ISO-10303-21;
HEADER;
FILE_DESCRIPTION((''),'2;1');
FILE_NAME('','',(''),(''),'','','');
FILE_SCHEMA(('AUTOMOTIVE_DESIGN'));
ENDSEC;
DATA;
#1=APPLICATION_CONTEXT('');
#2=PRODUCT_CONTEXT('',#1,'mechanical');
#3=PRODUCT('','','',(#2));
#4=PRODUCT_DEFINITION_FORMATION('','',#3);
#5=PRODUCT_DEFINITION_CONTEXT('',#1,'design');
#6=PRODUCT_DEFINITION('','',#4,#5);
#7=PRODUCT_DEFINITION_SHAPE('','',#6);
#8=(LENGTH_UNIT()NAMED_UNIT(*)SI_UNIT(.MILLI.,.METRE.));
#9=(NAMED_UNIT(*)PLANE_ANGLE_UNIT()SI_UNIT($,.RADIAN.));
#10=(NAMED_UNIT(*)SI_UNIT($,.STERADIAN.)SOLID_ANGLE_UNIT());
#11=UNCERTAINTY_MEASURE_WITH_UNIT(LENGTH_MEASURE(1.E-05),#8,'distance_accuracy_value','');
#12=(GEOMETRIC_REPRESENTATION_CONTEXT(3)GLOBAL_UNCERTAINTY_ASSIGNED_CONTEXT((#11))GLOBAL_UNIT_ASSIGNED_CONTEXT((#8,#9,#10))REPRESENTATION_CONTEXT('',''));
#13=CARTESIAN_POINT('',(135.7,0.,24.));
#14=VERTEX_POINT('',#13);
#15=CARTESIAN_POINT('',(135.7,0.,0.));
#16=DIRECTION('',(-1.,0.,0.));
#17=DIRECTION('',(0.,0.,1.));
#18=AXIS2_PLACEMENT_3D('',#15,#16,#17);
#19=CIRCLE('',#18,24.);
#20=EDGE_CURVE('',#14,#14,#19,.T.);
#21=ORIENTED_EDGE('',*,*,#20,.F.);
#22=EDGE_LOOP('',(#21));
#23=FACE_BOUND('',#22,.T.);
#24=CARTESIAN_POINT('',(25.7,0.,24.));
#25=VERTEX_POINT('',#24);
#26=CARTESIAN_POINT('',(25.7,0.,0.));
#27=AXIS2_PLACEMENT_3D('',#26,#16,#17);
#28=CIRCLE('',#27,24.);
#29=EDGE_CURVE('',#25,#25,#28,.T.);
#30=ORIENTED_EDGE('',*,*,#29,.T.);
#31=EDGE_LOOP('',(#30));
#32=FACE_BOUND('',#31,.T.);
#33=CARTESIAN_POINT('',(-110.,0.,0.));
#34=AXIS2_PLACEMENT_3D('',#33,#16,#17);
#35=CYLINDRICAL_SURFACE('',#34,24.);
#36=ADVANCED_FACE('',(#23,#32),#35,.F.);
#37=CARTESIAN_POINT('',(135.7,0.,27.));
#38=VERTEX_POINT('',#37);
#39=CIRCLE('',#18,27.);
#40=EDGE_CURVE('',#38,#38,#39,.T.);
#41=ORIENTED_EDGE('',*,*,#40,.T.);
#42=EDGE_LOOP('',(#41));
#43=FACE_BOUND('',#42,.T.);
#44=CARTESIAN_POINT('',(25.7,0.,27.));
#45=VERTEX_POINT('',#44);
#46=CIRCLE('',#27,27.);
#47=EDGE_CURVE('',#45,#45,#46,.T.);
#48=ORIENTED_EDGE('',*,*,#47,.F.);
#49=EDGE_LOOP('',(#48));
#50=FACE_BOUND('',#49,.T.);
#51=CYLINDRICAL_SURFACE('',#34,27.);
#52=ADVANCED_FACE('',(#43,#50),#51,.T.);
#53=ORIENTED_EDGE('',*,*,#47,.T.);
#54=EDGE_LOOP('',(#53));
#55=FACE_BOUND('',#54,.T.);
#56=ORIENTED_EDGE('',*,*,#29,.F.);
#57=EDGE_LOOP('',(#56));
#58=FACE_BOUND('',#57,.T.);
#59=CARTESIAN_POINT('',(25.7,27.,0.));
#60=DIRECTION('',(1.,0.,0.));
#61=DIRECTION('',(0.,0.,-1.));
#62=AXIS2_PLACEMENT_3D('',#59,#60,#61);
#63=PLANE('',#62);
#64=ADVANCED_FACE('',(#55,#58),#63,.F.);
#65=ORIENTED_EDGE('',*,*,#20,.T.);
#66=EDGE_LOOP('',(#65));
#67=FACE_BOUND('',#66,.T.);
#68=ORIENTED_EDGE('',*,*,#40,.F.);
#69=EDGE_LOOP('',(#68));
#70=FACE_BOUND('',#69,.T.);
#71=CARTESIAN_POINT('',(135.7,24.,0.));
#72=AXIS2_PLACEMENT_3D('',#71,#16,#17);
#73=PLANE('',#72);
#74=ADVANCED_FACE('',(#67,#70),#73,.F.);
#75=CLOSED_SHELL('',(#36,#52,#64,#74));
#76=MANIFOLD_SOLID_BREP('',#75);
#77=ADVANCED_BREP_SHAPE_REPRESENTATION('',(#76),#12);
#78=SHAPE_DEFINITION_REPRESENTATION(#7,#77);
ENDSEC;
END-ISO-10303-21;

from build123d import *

# Parameters (mm, degrees)
AXIAL_PROFILE_MM_W = 110
AXIAL_PROFILE_MM_H = 3


with BuildPart() as part:
    # Axial profile (mm) → Full revolution (revolve)
    with BuildSketch(Plane.XY, mode=Mode.PRIVATE) as full_revolution_sk:
        with Locations((80.7, 25.5)):
            Rectangle(AXIAL_PROFILE_MM_W, AXIAL_PROFILE_MM_H)
    revolve(full_revolution_sk.sketch.rotate(Axis((-110, 0, 0), (1, 0, 0)), 90), axis=Axis((-110, 0, 0), (1, 0, 0)))


solid = part.part
